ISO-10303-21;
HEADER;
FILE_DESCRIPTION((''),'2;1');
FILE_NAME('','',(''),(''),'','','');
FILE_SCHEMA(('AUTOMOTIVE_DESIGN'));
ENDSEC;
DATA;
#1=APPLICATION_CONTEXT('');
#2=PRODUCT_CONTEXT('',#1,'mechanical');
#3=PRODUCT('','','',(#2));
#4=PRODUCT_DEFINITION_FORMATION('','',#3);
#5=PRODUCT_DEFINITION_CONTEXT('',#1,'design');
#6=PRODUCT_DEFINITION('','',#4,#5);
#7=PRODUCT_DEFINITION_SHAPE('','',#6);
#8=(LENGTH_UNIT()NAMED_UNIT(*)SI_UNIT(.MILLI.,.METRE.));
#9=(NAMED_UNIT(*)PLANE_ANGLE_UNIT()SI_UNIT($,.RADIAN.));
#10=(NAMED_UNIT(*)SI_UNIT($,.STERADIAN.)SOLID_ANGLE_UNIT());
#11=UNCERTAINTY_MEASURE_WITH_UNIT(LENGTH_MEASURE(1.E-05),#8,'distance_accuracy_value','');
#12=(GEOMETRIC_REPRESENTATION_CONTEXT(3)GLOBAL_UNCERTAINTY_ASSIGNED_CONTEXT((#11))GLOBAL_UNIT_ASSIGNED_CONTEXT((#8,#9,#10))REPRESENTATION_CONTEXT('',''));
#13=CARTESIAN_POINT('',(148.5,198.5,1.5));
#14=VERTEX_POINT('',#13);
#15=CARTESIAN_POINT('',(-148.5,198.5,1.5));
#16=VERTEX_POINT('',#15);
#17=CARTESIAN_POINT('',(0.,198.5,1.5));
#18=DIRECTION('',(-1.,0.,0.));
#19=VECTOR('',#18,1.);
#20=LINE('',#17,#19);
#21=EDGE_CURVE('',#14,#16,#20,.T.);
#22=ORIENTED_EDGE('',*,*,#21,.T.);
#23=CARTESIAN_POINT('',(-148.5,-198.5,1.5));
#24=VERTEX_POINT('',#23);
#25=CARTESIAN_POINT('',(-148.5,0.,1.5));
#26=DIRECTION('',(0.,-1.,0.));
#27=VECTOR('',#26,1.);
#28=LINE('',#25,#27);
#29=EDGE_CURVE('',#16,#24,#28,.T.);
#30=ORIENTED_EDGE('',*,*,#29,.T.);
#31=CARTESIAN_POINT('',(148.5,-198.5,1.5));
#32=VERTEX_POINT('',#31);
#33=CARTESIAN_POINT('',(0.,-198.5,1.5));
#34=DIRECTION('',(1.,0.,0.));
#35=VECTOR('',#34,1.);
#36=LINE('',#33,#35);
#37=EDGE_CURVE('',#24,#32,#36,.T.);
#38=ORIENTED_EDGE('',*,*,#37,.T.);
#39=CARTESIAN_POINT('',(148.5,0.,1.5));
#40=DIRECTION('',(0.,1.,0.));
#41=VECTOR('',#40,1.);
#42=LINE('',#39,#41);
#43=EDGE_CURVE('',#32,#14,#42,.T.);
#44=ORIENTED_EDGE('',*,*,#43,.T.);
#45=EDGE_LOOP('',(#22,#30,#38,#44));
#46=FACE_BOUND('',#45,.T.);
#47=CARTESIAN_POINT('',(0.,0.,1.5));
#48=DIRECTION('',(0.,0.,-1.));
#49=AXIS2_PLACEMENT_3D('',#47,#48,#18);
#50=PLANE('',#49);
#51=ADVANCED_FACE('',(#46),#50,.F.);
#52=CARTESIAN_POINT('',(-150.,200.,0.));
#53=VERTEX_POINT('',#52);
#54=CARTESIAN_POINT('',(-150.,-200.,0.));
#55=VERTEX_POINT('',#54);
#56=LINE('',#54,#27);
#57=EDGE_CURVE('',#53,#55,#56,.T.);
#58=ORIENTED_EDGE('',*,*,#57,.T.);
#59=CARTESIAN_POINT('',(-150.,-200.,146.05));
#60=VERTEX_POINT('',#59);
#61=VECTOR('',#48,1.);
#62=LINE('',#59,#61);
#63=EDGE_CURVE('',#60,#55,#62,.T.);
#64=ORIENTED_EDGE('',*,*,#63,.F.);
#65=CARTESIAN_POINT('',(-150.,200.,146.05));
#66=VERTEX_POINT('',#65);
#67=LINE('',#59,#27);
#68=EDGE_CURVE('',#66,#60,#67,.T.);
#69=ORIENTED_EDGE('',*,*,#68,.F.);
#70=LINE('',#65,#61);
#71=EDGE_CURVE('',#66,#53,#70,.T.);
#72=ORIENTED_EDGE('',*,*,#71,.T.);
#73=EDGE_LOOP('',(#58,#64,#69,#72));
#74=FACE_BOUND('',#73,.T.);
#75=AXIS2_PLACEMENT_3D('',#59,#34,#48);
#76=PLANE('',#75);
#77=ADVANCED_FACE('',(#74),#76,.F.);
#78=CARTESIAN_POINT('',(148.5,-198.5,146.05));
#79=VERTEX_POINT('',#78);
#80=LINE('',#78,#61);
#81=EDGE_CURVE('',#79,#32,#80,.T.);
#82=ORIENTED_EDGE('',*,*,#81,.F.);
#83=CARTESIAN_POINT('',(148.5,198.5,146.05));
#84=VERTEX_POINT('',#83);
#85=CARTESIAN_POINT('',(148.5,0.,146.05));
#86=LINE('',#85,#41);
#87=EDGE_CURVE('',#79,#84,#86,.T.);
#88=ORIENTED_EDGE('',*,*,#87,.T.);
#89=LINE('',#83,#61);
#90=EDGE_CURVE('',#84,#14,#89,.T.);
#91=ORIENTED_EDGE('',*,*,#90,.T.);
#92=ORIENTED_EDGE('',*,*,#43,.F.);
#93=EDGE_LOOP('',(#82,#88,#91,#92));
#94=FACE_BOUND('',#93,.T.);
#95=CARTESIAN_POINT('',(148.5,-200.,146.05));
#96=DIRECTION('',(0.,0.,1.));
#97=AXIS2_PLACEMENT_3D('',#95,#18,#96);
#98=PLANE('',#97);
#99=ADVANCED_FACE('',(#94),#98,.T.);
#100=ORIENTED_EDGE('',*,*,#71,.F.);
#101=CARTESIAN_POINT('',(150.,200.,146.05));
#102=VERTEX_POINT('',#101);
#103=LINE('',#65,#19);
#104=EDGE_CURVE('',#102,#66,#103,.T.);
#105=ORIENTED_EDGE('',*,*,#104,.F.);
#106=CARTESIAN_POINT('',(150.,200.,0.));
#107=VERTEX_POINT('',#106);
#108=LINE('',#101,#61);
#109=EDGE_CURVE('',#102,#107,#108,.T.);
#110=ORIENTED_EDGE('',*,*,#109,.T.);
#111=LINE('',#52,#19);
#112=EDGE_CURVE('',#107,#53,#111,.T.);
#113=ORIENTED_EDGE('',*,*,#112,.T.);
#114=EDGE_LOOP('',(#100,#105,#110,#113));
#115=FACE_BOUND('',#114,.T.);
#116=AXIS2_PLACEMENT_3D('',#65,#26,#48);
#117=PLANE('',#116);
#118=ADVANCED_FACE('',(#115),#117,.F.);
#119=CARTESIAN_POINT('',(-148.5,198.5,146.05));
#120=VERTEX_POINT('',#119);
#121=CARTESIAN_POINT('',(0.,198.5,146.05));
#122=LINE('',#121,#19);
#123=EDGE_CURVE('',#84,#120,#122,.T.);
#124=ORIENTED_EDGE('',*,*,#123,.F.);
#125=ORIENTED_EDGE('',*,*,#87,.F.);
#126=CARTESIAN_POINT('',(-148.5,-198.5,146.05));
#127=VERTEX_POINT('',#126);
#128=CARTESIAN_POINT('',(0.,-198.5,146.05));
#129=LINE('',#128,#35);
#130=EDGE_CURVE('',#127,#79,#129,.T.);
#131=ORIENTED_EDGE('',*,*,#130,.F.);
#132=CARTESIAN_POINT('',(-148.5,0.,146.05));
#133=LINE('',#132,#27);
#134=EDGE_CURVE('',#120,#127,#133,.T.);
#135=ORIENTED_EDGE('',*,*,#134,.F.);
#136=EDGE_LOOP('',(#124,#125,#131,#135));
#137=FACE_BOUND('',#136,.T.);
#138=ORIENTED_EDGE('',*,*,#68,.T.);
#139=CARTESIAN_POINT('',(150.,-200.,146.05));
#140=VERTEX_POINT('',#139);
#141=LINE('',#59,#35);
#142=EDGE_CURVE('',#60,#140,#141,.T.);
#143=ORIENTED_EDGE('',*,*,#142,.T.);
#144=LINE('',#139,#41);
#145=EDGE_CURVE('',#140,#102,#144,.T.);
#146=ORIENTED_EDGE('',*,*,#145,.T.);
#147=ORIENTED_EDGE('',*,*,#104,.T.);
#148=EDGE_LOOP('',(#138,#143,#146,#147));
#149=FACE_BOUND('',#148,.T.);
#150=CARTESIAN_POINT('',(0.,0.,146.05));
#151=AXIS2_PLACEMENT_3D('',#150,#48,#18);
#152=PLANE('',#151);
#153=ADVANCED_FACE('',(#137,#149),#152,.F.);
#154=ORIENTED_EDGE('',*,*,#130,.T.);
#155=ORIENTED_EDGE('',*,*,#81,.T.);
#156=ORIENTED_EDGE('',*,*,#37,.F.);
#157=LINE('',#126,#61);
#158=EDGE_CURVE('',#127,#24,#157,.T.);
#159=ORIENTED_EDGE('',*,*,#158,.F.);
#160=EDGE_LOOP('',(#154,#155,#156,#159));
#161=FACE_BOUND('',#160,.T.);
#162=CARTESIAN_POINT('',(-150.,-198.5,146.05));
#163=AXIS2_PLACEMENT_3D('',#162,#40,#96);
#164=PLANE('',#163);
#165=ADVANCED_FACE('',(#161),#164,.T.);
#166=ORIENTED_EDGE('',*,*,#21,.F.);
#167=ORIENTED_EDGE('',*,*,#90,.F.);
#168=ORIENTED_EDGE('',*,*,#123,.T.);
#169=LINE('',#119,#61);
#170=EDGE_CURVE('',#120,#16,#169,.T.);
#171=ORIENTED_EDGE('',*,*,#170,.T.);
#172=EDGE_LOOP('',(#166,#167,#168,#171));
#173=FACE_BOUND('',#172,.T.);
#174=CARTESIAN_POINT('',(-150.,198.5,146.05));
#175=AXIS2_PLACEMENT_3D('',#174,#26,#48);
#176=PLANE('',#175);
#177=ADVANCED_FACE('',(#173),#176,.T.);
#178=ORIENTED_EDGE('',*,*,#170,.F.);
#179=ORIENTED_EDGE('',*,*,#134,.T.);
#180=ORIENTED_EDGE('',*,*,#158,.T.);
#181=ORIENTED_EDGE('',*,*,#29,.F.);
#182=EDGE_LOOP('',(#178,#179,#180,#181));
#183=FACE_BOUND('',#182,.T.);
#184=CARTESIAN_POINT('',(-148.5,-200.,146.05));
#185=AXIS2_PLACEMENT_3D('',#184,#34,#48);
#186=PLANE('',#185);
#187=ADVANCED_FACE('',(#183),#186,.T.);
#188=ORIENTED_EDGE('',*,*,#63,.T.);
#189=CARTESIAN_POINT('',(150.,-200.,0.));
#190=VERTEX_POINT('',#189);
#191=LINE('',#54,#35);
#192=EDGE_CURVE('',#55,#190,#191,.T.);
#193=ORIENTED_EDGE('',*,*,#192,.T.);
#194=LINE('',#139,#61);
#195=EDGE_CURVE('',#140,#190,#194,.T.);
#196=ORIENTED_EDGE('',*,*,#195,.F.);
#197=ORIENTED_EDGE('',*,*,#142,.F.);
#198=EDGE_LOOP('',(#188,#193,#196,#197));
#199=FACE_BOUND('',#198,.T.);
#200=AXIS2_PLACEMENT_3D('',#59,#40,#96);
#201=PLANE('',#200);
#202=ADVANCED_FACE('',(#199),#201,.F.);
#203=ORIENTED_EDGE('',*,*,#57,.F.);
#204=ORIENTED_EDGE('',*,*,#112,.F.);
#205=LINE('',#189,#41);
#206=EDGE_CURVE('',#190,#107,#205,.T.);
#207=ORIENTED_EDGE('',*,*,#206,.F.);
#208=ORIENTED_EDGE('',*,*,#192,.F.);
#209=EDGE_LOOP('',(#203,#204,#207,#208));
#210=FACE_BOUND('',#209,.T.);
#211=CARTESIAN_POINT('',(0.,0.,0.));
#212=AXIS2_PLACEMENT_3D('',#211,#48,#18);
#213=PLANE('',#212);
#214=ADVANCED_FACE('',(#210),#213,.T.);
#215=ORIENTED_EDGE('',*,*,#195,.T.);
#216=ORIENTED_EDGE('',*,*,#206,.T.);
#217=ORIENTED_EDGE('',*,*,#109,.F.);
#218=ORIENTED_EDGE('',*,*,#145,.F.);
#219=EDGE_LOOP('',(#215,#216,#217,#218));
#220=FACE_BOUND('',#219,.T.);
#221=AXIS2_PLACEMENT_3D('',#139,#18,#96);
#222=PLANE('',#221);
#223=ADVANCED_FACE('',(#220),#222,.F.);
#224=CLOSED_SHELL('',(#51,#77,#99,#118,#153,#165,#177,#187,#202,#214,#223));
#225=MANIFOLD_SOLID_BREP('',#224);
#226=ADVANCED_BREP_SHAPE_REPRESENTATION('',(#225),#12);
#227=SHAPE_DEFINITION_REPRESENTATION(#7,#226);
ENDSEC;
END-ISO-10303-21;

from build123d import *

# Parameters (mm, degrees)
SKETCH1_W           = 300
SKETCH1_H           = 400
BOSS_EXTRUDE1_DEPTH = 146.05
SHELL1_T            = -1.500000048


with BuildPart() as part:
    # Sketch1 → Boss-Extrude1 (new body)
    with BuildSketch(Plane.XY):
        Rectangle(SKETCH1_W, SKETCH1_H)
    extrude(amount=BOSS_EXTRUDE1_DEPTH)

    # Shell1
    shell1_openings = [part.faces().sort_by_distance(p)[0] for p in [
        (0, 0, 146.05),
    ]]
    offset(amount=SHELL1_T, openings=shell1_openings, kind=Kind.INTERSECTION)


solid = part.part
